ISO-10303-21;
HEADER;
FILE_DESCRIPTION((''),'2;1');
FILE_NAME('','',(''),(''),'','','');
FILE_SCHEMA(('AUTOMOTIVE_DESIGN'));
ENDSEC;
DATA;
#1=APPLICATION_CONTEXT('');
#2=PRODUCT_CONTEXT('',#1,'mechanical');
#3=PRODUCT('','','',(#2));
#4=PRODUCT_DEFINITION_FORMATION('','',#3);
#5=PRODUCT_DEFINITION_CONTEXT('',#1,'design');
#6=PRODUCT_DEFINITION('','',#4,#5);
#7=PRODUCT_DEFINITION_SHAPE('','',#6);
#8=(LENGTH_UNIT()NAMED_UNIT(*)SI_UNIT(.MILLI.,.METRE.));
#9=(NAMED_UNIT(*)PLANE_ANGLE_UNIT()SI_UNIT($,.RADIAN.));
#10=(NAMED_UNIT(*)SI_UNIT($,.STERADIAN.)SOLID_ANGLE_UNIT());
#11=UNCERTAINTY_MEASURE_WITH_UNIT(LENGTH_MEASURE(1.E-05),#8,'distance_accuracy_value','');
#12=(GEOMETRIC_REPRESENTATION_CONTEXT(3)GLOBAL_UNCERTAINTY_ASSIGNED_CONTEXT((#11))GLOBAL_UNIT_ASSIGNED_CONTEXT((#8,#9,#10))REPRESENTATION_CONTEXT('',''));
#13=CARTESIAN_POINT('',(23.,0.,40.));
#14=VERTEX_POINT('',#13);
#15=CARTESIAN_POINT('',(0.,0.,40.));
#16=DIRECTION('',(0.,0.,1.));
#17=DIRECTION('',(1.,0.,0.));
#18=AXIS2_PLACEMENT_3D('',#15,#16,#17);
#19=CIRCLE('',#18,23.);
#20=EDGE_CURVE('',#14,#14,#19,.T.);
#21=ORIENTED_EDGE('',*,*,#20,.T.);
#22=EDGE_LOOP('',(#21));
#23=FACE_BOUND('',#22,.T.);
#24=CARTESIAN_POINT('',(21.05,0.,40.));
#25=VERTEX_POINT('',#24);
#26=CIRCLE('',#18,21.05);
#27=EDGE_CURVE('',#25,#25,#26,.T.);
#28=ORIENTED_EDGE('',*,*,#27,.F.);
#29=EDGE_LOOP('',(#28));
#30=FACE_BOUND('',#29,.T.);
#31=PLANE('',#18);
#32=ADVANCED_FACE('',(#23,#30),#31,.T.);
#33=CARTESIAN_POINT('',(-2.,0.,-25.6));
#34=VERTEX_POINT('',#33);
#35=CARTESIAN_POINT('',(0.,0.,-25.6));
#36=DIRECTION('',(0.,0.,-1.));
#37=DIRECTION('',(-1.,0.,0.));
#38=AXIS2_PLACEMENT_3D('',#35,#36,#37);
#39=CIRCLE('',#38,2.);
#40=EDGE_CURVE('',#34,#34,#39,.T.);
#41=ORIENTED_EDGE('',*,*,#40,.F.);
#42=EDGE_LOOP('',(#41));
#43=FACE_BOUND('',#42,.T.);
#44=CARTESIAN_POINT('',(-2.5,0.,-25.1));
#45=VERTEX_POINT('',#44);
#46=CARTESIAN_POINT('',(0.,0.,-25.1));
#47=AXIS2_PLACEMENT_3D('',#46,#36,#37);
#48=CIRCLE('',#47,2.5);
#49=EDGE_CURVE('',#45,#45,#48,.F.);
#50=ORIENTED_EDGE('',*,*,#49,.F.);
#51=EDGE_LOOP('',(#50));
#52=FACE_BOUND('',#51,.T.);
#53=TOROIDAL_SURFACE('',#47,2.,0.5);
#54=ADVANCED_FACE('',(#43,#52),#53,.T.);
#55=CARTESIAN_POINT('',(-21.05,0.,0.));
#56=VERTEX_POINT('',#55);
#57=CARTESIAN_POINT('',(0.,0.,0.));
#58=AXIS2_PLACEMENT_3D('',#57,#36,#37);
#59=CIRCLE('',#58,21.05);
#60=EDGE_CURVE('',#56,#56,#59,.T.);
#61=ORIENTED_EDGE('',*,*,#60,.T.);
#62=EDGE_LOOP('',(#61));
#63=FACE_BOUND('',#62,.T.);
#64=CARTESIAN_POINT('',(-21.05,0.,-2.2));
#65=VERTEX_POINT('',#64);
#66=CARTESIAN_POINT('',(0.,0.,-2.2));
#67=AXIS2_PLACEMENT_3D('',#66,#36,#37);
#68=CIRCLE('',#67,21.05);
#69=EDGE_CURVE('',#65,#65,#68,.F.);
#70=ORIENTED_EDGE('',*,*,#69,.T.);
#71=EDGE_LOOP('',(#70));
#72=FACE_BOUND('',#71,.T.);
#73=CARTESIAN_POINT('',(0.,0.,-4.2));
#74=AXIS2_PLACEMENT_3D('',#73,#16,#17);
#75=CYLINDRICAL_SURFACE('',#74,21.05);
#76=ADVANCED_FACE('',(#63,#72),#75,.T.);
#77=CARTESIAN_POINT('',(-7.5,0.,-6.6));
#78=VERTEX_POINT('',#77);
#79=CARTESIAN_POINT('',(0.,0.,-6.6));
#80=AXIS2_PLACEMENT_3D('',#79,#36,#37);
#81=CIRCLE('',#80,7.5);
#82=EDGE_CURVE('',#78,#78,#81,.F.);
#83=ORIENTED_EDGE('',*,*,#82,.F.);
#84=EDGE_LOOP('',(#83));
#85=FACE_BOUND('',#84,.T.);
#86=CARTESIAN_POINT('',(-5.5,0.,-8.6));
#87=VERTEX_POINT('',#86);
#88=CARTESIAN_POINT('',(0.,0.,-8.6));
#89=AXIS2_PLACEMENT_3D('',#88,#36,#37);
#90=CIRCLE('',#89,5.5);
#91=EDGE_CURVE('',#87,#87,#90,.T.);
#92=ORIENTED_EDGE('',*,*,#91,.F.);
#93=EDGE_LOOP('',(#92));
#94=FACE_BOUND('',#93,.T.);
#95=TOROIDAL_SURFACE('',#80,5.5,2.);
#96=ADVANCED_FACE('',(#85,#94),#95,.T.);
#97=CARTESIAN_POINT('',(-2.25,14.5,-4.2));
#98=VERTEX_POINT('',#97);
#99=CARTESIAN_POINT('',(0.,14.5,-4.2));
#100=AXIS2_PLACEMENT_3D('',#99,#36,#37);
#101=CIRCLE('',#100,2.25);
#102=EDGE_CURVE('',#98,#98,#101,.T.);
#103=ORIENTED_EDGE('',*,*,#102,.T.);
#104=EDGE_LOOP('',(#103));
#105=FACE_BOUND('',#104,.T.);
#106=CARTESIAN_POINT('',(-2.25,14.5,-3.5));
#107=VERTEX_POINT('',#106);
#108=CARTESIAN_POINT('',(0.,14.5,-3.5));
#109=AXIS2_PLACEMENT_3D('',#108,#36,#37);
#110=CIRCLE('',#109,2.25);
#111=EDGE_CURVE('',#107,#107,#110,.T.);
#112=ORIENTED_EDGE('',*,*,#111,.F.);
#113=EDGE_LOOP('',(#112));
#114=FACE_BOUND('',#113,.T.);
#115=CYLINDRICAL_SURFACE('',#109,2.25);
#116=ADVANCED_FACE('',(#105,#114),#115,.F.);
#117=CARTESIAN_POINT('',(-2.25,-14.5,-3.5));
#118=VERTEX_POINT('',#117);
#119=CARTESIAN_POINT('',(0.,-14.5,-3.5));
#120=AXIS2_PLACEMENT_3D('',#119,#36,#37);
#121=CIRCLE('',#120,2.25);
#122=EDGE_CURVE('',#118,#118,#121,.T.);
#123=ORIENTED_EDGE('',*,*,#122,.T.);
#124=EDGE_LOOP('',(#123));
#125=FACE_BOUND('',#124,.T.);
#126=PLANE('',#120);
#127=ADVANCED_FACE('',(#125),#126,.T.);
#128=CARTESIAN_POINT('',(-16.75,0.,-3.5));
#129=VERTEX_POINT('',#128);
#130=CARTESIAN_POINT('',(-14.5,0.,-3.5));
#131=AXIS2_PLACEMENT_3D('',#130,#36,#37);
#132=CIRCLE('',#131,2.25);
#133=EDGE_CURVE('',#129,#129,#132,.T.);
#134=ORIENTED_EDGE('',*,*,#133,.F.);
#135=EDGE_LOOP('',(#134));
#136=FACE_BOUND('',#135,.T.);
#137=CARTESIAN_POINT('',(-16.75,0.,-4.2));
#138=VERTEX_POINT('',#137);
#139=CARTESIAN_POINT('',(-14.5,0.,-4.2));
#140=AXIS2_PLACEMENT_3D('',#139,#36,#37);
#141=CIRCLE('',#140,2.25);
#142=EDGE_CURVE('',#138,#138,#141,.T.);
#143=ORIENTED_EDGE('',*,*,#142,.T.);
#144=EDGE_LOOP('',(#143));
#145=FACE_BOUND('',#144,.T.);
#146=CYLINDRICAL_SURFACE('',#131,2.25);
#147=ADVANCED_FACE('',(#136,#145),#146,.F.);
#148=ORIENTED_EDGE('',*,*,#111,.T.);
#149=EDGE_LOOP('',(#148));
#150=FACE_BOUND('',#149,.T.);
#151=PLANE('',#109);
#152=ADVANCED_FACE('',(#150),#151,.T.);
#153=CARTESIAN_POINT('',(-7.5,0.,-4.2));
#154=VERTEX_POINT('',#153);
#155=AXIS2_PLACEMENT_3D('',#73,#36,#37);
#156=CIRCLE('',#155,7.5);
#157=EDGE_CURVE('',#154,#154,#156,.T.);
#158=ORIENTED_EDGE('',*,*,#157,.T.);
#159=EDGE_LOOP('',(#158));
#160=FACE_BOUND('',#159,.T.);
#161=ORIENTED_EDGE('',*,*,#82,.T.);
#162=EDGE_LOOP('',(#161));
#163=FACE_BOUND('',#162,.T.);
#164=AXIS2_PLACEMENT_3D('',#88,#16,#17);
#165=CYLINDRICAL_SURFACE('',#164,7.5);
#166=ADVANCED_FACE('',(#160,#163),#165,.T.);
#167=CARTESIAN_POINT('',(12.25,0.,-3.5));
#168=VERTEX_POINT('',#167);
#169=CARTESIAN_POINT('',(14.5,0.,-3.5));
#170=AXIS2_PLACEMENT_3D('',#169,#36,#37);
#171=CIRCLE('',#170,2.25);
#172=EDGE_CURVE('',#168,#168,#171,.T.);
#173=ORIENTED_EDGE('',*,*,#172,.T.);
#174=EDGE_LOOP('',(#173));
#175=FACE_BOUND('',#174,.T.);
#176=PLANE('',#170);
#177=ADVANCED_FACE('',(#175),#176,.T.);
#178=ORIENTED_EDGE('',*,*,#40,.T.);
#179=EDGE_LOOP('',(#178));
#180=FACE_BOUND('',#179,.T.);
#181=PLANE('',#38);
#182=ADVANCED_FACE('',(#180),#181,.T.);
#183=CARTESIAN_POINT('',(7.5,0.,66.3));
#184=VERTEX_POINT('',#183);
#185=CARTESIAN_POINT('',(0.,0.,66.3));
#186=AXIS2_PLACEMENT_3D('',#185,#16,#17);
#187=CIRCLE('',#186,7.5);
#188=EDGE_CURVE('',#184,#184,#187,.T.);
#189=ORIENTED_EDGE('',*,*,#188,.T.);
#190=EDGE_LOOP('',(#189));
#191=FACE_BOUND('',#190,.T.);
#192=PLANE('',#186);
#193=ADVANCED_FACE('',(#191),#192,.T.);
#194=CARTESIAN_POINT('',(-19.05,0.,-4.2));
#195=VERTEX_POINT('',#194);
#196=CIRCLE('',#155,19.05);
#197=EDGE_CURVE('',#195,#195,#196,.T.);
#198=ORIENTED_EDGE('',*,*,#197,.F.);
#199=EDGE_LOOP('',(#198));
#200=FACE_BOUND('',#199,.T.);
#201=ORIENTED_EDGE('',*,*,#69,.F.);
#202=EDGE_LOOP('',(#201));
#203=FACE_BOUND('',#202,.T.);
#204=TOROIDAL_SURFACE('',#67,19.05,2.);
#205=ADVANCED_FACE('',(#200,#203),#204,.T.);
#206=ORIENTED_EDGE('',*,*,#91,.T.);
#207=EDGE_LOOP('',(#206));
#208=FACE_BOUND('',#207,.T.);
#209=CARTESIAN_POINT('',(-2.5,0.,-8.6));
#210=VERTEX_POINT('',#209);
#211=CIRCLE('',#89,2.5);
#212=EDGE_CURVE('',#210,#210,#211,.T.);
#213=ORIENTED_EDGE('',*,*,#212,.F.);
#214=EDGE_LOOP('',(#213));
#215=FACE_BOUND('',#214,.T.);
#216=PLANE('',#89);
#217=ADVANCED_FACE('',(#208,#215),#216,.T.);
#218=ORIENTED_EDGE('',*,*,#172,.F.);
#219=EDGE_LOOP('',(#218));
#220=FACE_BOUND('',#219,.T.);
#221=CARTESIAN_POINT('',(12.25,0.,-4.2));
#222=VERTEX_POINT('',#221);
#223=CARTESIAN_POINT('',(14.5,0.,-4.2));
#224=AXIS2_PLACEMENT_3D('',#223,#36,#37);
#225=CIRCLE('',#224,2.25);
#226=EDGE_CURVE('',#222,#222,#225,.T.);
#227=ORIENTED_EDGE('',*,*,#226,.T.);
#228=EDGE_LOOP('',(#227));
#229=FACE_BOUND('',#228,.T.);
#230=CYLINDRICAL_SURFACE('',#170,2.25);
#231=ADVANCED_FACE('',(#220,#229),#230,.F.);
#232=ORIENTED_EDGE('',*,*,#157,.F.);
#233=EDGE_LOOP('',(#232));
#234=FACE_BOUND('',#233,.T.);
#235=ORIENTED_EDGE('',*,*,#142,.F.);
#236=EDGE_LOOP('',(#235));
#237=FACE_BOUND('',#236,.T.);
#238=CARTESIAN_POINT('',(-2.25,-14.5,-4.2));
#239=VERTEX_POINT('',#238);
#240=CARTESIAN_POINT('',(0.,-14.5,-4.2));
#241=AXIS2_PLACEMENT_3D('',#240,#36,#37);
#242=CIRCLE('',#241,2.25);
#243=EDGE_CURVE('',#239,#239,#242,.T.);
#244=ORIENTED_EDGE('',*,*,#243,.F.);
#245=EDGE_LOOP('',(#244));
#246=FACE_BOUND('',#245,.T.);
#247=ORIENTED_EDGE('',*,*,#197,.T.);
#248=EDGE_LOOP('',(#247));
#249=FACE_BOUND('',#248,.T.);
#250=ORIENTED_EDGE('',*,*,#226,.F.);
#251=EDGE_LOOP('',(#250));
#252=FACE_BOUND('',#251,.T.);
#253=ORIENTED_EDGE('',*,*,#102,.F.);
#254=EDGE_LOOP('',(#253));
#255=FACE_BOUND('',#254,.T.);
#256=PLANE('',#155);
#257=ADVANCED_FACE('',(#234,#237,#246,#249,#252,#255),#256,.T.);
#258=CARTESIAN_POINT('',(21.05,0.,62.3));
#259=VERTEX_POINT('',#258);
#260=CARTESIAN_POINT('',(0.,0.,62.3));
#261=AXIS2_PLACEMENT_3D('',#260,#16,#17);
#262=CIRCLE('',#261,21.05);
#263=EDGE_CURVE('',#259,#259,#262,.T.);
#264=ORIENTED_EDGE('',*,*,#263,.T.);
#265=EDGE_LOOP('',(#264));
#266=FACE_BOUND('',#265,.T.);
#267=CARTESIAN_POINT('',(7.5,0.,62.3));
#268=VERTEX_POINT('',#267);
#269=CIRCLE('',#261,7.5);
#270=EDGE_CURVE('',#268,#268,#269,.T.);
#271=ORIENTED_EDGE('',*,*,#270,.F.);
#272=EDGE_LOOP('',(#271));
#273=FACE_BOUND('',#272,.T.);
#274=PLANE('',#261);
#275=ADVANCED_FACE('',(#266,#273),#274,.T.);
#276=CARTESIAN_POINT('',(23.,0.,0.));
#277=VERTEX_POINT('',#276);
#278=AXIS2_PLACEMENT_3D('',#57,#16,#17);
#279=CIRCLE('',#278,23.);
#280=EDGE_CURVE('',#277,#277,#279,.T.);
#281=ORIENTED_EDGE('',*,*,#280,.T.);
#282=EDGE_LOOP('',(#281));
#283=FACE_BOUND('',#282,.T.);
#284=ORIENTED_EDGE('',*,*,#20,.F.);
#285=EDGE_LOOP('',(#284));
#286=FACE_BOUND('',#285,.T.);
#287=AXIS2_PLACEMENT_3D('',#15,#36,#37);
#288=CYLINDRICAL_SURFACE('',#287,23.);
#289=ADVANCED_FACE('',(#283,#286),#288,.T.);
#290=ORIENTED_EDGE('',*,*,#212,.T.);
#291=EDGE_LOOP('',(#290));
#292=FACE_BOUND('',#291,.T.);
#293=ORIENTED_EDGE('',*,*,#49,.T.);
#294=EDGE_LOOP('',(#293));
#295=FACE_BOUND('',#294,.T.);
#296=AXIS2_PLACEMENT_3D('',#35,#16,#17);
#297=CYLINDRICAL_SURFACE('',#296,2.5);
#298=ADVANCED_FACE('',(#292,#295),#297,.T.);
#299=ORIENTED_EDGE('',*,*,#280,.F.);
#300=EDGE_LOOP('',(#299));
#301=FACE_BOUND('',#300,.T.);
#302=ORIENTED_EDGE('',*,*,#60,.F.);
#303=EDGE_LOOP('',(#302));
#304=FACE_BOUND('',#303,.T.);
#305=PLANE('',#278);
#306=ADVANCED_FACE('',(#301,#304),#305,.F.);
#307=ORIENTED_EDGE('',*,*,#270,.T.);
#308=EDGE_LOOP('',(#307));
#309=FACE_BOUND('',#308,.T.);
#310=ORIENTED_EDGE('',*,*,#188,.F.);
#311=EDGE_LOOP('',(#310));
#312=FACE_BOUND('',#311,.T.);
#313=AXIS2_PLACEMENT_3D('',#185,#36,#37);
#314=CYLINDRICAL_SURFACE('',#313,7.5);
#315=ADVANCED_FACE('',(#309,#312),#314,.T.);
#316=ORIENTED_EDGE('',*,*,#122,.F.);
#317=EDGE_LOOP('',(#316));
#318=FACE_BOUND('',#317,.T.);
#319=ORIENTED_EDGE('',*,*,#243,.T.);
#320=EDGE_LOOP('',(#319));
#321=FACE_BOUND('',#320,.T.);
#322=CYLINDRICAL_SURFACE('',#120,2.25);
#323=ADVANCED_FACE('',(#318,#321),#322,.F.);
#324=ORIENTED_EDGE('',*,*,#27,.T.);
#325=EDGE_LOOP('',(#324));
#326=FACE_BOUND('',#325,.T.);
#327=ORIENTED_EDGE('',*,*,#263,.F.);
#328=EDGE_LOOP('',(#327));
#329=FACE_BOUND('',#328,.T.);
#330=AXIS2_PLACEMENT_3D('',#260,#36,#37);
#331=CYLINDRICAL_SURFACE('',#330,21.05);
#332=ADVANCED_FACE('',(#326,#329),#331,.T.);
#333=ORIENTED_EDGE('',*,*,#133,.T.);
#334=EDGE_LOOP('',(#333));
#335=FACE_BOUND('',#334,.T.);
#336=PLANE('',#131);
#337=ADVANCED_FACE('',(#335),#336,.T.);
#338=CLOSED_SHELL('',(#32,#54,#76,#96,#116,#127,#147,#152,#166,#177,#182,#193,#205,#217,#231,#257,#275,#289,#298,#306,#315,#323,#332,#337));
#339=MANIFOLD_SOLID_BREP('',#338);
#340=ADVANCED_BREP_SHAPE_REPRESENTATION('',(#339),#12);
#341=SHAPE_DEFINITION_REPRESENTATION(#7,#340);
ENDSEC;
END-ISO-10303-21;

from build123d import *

# Parameters (mm, degrees)
SKETCH1_R           = 23
BOSS_EXTRUDE1_DEPTH = 40
SKETCH2_R           = 21.05
BOSS_EXTRUDE2_DEPTH = 22.3
BOSS_EXTRUDE3_START = 4.2
SKETCH3_R           = 21.05
BOSS_EXTRUDE3_DEPTH = 4.2
FILLET1_R           = 2
SKETCH4_R           = 7.5
BOSS_EXTRUDE4_DEPTH = 4.4
FILLET2_R           = 2
SKETCH5_R           = 2.5
BOSS_EXTRUDE5_DEPTH = 17
FILLET3_R           = 0.5
BOSS_EXTRUDE6_START = 4
SKETCH6_R           = 7.5
BOSS_EXTRUDE6_DEPTH = 4
SKETCH7_R           = 2.25
CUT_EXTRUDE1_DEPTH  = 0.7


with BuildPart() as part:
    # Sketch1 → Boss-Extrude1 (new body)
    with BuildSketch(Plane.XY):
        Circle(SKETCH1_R)
    extrude(amount=BOSS_EXTRUDE1_DEPTH)

    # Sketch2 → Boss-Extrude2 (add)
    with BuildSketch(Plane.XY.offset(40)):
        Circle(SKETCH2_R)
    extrude(amount=BOSS_EXTRUDE2_DEPTH)

    # Sketch3 → Boss-Extrude3 (add)
    with BuildSketch(Plane(origin=(0, 0, 0), x_dir=(-1, 0, 0), z_dir=(0, 0, -1)).offset(BOSS_EXTRUDE3_START)):
        with Locations(Location((0, 0, 0), (0, 0, 180))):
            Circle(SKETCH3_R)
    extrude(amount=-BOSS_EXTRUDE3_DEPTH)

    # Fillet1
    fillet1_edges = [part.edges().sort_by_distance(p)[0] for p in [
        (-21.05, 0, -4.2),
    ]]
    fillet(fillet1_edges, radius=FILLET1_R)

    # Sketch4 → Boss-Extrude4 (add)
    with BuildSketch(Plane(origin=(0, 0, -4.2), x_dir=(-1, 0, 0), z_dir=(0, 0, -1))):
        Circle(SKETCH4_R)
    extrude(amount=BOSS_EXTRUDE4_DEPTH)

    # Fillet2
    fillet2_edges = [part.edges().sort_by_distance(p)[0] for p in [
        (7.5, 0, -8.6),
    ]]
    fillet(fillet2_edges, radius=FILLET2_R)

    # Sketch5 → Boss-Extrude5 (add)
    with BuildSketch(Plane(origin=(0, 0, -8.6), x_dir=(-1, 0, 0), z_dir=(0, 0, -1))):
        Circle(SKETCH5_R)
    extrude(amount=BOSS_EXTRUDE5_DEPTH)

    # Fillet3
    fillet3_edges = [part.edges().sort_by_distance(p)[0] for p in [
        (2.5, 0, -25.6),
    ]]
    fillet(fillet3_edges, radius=FILLET3_R)

    # Sketch6 → Boss-Extrude6 (add)
    with BuildSketch(Plane.XY.offset(62.3).offset(BOSS_EXTRUDE6_START)):
        with Locations(Location((0, 0, 0), (0, 0, 180))):
            Circle(SKETCH6_R)
    extrude(amount=-BOSS_EXTRUDE6_DEPTH)

    # Sketch7 → Cut-Extrude1 (cut)
    with BuildSketch(Plane(origin=(0, 0, -4.2), x_dir=(-1, 0, 0), z_dir=(0, 0, -1))):
        with Locations((0, 14.5)):
            Circle(SKETCH7_R)
        with Locations((14.5, 0)):
            Circle(SKETCH7_R)
        with Locations((0, -14.5)):
            Circle(SKETCH7_R)
        with Locations((-14.5, 0)):
            Circle(SKETCH7_R)
    extrude(amount=-CUT_EXTRUDE1_DEPTH, mode=Mode.SUBTRACT)


solid = part.part
